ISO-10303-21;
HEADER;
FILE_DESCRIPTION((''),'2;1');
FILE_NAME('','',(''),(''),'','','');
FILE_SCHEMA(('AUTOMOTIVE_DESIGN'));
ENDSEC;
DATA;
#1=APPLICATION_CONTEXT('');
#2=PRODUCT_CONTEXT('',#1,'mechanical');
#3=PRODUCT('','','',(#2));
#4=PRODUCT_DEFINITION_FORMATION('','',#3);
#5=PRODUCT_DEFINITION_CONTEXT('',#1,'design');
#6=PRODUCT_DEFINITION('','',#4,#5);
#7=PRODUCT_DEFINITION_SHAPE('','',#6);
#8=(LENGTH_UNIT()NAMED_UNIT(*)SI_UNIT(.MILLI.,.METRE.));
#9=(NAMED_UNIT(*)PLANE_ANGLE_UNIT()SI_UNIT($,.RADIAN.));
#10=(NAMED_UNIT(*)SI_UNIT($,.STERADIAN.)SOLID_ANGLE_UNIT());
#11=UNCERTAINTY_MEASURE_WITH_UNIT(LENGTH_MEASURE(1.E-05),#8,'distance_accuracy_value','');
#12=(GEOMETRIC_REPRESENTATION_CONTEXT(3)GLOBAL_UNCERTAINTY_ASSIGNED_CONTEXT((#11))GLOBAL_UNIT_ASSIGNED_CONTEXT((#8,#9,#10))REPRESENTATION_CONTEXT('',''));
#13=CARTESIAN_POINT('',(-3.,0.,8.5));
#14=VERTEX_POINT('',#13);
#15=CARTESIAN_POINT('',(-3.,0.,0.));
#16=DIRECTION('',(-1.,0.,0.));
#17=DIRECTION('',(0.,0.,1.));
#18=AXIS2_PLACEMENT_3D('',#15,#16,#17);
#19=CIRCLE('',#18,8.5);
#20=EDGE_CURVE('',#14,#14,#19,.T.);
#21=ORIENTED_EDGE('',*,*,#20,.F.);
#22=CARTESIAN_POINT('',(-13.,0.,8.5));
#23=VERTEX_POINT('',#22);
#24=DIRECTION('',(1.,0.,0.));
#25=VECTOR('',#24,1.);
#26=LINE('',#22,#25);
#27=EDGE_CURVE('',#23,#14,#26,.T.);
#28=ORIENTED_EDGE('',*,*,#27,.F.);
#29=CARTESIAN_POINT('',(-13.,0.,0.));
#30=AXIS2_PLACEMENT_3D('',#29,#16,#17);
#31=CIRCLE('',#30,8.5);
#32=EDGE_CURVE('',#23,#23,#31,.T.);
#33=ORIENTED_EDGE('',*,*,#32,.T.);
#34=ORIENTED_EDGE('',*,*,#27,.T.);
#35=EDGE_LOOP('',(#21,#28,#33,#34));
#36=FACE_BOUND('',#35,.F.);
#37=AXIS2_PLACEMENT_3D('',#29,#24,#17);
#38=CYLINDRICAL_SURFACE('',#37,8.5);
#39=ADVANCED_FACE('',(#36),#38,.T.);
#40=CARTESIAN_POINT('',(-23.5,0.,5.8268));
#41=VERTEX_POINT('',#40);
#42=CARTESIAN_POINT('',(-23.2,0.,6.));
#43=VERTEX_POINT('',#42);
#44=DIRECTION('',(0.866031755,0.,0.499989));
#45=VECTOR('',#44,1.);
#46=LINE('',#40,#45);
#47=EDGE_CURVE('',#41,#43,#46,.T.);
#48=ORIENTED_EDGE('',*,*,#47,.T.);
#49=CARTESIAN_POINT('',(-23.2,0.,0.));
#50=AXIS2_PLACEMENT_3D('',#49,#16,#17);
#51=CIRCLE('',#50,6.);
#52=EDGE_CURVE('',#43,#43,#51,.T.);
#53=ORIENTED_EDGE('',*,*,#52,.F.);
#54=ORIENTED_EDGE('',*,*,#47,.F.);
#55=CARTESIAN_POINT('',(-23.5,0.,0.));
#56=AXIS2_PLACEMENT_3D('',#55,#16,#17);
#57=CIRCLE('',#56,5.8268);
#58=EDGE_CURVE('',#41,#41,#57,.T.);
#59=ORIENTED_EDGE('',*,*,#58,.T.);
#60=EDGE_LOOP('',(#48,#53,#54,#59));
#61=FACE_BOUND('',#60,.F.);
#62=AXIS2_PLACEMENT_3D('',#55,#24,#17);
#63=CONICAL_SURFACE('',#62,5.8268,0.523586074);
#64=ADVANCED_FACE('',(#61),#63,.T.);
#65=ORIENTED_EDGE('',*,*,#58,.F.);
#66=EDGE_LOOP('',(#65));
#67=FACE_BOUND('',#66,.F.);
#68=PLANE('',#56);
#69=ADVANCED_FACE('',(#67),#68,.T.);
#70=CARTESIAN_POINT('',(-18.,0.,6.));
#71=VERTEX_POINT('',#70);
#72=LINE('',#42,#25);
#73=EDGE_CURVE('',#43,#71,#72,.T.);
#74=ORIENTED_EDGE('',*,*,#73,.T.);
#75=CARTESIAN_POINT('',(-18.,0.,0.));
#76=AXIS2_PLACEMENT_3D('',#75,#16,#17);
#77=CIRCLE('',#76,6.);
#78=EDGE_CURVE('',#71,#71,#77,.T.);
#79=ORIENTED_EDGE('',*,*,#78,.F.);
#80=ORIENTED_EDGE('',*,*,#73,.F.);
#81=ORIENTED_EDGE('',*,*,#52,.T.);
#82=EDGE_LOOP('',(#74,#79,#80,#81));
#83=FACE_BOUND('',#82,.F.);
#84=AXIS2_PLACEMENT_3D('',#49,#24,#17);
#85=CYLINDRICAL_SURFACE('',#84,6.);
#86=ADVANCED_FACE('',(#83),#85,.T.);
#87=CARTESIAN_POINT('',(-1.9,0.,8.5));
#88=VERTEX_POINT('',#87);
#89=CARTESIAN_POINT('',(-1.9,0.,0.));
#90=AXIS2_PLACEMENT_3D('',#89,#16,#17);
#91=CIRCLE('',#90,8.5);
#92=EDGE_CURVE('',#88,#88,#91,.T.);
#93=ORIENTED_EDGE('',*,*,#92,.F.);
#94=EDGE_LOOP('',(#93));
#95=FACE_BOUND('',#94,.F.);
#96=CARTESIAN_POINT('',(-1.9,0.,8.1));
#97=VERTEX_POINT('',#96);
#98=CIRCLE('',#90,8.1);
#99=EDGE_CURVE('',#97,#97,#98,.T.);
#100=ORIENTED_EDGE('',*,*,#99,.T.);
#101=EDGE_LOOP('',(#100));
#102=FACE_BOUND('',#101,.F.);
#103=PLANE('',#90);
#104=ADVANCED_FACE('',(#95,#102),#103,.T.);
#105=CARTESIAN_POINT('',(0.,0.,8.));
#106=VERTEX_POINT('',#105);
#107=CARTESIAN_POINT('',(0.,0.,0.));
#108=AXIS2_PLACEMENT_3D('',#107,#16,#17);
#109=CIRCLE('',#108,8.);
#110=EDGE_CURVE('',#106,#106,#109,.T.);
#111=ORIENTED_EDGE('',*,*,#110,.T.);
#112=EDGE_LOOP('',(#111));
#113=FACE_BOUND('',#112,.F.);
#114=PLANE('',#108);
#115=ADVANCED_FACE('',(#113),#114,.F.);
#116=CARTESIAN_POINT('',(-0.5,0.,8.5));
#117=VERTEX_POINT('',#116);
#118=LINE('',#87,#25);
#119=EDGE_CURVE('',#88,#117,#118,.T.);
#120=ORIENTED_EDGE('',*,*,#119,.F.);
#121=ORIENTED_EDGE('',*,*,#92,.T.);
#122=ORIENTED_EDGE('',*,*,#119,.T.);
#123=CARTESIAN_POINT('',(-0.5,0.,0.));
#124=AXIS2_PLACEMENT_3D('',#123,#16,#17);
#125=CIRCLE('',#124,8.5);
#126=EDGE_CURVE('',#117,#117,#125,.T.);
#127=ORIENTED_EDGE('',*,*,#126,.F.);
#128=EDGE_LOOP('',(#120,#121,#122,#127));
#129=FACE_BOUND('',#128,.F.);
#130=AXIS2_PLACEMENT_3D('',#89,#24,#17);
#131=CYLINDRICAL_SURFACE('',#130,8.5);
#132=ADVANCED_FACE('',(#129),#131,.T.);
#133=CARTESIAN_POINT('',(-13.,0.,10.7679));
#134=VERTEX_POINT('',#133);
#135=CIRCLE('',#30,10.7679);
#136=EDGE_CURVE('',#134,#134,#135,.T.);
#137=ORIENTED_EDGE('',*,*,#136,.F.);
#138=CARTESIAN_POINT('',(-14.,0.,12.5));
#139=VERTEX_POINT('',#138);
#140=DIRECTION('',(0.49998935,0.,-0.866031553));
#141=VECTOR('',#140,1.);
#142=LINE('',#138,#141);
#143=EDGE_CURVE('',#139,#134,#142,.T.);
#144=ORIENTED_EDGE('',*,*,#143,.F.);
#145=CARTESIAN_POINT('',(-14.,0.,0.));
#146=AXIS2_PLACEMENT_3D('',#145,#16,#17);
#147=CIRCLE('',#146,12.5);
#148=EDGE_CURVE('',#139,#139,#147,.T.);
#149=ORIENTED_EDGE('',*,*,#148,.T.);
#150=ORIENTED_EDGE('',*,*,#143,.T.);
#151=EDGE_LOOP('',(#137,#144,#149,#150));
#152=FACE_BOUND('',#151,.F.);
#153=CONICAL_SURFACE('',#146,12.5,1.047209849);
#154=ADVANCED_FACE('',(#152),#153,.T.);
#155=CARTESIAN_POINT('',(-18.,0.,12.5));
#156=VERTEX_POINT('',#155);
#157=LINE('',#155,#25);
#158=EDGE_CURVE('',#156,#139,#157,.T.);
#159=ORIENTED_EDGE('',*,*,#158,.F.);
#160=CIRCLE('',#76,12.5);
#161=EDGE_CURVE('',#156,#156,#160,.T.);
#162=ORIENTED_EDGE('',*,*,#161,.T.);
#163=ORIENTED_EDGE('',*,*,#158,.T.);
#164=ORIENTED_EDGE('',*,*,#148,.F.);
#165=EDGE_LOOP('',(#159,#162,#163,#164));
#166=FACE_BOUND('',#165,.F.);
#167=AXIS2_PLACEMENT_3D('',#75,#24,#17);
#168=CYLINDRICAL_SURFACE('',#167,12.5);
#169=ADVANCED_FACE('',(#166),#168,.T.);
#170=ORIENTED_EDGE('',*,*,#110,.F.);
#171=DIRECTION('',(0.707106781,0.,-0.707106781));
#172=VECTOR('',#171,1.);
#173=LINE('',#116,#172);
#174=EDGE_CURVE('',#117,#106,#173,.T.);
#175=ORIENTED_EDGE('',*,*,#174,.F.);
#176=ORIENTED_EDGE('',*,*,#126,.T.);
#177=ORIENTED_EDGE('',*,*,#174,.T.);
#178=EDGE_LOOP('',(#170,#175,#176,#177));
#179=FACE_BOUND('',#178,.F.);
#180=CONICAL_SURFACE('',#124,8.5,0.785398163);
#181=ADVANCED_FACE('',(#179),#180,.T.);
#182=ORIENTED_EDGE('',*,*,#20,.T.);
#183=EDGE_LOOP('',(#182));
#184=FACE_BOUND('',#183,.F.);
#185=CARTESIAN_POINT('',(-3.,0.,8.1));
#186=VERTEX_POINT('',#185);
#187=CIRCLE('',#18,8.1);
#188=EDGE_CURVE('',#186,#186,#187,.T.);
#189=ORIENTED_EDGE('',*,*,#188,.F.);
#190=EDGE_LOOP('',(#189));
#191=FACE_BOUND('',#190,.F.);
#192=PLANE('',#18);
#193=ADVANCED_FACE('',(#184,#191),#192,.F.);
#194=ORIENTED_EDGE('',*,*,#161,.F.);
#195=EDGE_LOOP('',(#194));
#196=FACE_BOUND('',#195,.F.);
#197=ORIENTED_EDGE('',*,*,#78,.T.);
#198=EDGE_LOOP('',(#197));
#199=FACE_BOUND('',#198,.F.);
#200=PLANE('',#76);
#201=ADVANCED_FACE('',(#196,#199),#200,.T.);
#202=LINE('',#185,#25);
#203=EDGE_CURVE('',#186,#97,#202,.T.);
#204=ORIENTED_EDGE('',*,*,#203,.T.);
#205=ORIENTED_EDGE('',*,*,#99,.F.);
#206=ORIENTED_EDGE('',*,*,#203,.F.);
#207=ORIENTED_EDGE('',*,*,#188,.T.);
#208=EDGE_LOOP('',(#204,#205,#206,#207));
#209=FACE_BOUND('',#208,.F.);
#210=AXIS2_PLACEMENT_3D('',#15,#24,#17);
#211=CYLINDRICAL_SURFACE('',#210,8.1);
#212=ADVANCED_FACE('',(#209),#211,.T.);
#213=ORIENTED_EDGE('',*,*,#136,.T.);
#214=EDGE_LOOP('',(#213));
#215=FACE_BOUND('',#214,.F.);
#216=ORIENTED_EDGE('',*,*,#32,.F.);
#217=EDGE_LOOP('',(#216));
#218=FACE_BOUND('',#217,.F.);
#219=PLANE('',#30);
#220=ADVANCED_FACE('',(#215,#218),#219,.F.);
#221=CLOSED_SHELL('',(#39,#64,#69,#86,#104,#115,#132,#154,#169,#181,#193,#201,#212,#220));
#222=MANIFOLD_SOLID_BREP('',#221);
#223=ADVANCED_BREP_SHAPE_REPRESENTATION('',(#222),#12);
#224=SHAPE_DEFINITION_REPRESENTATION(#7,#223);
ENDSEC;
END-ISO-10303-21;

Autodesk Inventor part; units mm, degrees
ref_plane "YZ Plane" through (0, 0, 0) normal (1, 0, 0) x (0, 1, 0)
ref_plane "XZ Plane" through (0, 0, 0) normal (0, 1, 0) x (-1, 0, 0)
ref_plane "XY Plane" through (0, 0, 0) normal (0, 0, 1) x (1, 0, 0)
sketch "Sketch1" plane through (0, 0, 0) normal (0, 1, 0) x (-1, 0, 0)
  line L0 (0, 0) -> (23.5, 0)
  line L1 (0.5, 8.5) -> (0, 8)
  line L2 (1.9, 8.5) -> (0.5, 8.5)
  line L3 (1.9, 8.1) -> (1.9, 8.5)
  line L4 (3, 8.1) -> (1.9, 8.1)
  line L5 (3, 8.5) -> (3, 8.1)
  line L6 (13, 8.5) -> (3, 8.5)
  line L7 (13, 10.7679) -> (13, 8.5)
  line L8 (14, 12.5) -> (13, 10.7679)
  line L9 (18, 12.5) -> (14, 12.5)
  line L10 (18, 6) -> (18, 12.5)
  line L11 (23.2, 6) -> (18, 6)
  line L12 (23.5, 5.8268) -> (23.2, 6)
  line L13 (23.5, 0) -> (23.5, 5.8268)
  line L14 (0, 0) -> (23.5, 0)
  line L15 (0, 8) -> (0, 0)
  dimension "d0" = 0
  dimension "d1" = 5.8268
  dimension "d2" = 0.3464
  dimension "d3" = 120
  dimension "d4" = 6
  dimension "d5" = 5.2
  dimension "d6" = 6.5
  dimension "d7" = 4
  dimension "d8" = 2
  dimension "d9" = 120
  dimension "d10" = 10
  dimension "d11" = 8.5
  dimension "d12" = 2.2679
  dimension "d13" = 0.4
  dimension "d14" = 1.1
  dimension "d15" = 0.4
  dimension "d16" = 1.4
  dimension "d17" = 135
  dimension "d18" = 0.7071
  dimension "d19" = 8
  dimension "d20" = 23.5
  dimension "d21" = 135
revolve "Revolution1" add sketch "Sketch1" angle 360 about axis through (0, 0, 0) along (-1, 0, 0)
properties part number "26-10-208"
